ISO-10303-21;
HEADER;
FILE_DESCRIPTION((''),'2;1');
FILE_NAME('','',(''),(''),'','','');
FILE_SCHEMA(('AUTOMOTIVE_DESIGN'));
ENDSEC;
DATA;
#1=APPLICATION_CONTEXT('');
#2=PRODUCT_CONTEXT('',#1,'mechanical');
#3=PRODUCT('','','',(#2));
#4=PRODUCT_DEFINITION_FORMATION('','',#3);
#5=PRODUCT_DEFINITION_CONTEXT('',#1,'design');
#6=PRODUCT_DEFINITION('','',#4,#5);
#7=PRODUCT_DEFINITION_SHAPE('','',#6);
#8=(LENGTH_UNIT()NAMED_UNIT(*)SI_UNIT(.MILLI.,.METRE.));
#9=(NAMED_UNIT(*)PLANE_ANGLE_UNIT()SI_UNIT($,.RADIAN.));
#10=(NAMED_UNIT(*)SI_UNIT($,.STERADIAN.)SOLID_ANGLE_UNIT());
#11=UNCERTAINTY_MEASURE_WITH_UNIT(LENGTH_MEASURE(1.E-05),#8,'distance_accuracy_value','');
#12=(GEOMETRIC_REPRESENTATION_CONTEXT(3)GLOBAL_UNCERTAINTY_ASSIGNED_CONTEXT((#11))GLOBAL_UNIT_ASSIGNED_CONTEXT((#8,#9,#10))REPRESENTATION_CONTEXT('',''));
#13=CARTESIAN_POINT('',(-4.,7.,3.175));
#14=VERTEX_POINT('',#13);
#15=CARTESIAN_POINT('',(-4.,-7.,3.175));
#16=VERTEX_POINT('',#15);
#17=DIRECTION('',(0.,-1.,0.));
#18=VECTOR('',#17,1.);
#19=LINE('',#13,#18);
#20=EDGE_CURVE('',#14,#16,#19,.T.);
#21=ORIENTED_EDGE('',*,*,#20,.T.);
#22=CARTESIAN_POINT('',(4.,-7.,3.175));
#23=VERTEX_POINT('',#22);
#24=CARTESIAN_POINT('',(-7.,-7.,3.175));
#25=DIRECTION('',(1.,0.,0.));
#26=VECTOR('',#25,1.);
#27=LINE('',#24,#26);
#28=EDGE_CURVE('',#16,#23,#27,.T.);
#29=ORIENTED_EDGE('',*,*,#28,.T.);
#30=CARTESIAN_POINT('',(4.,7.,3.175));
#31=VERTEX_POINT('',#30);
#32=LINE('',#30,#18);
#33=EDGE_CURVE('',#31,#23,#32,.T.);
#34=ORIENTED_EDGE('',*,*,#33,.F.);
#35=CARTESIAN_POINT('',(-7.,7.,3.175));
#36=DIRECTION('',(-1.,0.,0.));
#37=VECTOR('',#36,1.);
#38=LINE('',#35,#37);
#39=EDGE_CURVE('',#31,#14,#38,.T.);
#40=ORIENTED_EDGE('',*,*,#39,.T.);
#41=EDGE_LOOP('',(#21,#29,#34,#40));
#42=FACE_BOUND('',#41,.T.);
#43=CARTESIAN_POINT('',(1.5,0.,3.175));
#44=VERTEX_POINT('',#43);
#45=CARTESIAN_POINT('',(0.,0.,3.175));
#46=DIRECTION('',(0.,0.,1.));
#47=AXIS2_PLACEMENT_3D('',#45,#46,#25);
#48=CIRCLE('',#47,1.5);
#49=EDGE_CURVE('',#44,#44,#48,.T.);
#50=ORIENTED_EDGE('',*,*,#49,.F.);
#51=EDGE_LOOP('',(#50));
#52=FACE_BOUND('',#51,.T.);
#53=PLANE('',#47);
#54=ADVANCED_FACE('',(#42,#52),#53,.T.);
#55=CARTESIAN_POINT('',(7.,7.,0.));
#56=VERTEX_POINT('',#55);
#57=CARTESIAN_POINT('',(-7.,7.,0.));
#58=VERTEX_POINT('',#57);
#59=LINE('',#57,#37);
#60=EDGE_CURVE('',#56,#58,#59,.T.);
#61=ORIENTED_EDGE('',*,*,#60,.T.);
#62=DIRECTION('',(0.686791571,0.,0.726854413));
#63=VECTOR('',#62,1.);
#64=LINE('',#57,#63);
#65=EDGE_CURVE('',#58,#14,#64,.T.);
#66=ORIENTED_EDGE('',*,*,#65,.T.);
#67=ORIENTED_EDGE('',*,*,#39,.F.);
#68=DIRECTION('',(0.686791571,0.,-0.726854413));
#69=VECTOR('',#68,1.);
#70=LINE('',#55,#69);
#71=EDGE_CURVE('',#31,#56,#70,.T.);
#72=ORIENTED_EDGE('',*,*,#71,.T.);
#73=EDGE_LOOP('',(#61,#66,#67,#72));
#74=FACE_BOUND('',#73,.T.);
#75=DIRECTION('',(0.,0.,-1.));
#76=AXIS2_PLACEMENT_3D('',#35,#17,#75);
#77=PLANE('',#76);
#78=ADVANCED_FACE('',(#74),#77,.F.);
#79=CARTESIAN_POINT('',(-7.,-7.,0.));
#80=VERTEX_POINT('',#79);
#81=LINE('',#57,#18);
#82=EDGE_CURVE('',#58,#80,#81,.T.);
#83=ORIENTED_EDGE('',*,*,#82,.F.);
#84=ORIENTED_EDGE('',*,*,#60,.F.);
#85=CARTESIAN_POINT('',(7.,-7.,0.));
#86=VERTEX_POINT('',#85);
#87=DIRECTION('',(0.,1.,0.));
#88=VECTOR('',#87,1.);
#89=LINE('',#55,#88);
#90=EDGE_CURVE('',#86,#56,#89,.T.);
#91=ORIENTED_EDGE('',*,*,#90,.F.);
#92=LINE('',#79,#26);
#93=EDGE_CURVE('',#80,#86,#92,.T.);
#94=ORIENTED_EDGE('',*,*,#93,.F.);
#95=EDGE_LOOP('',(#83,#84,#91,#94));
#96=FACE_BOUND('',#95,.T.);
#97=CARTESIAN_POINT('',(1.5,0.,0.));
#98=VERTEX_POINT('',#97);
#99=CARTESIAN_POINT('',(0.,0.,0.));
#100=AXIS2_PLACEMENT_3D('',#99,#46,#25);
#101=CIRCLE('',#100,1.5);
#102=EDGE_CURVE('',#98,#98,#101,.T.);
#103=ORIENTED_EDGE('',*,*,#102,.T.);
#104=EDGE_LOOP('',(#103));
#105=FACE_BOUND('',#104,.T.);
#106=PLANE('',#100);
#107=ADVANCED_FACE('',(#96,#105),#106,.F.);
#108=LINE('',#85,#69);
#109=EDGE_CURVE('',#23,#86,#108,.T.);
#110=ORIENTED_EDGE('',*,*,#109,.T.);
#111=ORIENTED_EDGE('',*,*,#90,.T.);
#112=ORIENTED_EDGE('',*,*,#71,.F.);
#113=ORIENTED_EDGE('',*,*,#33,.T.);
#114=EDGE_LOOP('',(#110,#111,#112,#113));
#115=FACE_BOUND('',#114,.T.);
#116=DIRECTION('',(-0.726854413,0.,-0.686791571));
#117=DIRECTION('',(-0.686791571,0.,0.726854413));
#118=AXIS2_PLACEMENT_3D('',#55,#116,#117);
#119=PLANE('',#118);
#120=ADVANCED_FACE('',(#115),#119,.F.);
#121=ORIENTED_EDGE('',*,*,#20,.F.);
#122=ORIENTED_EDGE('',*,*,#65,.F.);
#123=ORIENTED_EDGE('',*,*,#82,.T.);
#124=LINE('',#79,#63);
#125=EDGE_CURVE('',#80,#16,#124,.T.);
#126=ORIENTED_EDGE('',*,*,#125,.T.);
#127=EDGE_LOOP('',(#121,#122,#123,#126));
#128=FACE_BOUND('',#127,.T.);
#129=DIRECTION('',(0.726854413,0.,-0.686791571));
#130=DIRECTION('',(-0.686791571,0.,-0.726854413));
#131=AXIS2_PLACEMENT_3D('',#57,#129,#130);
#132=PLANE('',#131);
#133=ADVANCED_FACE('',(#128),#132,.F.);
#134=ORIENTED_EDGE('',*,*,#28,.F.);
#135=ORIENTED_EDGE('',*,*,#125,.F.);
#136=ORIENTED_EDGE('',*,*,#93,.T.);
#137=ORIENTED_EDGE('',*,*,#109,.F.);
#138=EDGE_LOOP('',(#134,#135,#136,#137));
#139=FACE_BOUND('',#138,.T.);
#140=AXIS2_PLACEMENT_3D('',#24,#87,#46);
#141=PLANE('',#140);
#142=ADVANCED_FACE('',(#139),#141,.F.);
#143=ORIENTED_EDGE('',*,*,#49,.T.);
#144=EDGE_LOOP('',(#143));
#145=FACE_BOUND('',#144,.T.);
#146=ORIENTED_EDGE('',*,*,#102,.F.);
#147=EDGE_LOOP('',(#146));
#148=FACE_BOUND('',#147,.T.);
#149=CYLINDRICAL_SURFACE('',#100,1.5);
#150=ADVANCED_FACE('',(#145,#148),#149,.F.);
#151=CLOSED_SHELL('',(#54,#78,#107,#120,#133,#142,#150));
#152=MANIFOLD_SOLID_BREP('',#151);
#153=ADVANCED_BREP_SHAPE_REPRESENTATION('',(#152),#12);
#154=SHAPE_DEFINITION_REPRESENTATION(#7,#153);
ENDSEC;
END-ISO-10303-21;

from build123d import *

# Parameters (mm, degrees)
ESBO_O1_W                = 14
ESBO_O1_H                = 14
RESSALTO_EXTRUS_O1_DEPTH = 3.175
CORTE_EXTRUS_O1_DEPTH    = 15
ESBO_O10_R               = 1.5
CORTE_EXTRUS_O2_DEPTH    = 4.175


with BuildPart() as part:
    # Esboço1 → Ressalto-extrusão1 (new body)
    with BuildSketch(Plane.XY):
        Rectangle(ESBO_O1_W, ESBO_O1_H)
    extrude(amount=RESSALTO_EXTRUS_O1_DEPTH)

    # Esboço2 → Corte-extrusão1 (cut, through all)
    with BuildSketch(Plane.XZ.offset(7)):
        Polygon((-4, 3.175), (-7, 3.175), (-7, 0), align=None)
        Polygon((4, 3.175), (7, 3.175), (7, 0), align=None)
    extrude(amount=-CORTE_EXTRUS_O1_DEPTH, mode=Mode.SUBTRACT)

    # Esboço10 → Corte-extrusão2 (cut, through all)
    with BuildSketch(Plane.XY.offset(3.175)):
        Circle(ESBO_O10_R)
    extrude(amount=-CORTE_EXTRUS_O2_DEPTH, mode=Mode.SUBTRACT)


solid = part.part
